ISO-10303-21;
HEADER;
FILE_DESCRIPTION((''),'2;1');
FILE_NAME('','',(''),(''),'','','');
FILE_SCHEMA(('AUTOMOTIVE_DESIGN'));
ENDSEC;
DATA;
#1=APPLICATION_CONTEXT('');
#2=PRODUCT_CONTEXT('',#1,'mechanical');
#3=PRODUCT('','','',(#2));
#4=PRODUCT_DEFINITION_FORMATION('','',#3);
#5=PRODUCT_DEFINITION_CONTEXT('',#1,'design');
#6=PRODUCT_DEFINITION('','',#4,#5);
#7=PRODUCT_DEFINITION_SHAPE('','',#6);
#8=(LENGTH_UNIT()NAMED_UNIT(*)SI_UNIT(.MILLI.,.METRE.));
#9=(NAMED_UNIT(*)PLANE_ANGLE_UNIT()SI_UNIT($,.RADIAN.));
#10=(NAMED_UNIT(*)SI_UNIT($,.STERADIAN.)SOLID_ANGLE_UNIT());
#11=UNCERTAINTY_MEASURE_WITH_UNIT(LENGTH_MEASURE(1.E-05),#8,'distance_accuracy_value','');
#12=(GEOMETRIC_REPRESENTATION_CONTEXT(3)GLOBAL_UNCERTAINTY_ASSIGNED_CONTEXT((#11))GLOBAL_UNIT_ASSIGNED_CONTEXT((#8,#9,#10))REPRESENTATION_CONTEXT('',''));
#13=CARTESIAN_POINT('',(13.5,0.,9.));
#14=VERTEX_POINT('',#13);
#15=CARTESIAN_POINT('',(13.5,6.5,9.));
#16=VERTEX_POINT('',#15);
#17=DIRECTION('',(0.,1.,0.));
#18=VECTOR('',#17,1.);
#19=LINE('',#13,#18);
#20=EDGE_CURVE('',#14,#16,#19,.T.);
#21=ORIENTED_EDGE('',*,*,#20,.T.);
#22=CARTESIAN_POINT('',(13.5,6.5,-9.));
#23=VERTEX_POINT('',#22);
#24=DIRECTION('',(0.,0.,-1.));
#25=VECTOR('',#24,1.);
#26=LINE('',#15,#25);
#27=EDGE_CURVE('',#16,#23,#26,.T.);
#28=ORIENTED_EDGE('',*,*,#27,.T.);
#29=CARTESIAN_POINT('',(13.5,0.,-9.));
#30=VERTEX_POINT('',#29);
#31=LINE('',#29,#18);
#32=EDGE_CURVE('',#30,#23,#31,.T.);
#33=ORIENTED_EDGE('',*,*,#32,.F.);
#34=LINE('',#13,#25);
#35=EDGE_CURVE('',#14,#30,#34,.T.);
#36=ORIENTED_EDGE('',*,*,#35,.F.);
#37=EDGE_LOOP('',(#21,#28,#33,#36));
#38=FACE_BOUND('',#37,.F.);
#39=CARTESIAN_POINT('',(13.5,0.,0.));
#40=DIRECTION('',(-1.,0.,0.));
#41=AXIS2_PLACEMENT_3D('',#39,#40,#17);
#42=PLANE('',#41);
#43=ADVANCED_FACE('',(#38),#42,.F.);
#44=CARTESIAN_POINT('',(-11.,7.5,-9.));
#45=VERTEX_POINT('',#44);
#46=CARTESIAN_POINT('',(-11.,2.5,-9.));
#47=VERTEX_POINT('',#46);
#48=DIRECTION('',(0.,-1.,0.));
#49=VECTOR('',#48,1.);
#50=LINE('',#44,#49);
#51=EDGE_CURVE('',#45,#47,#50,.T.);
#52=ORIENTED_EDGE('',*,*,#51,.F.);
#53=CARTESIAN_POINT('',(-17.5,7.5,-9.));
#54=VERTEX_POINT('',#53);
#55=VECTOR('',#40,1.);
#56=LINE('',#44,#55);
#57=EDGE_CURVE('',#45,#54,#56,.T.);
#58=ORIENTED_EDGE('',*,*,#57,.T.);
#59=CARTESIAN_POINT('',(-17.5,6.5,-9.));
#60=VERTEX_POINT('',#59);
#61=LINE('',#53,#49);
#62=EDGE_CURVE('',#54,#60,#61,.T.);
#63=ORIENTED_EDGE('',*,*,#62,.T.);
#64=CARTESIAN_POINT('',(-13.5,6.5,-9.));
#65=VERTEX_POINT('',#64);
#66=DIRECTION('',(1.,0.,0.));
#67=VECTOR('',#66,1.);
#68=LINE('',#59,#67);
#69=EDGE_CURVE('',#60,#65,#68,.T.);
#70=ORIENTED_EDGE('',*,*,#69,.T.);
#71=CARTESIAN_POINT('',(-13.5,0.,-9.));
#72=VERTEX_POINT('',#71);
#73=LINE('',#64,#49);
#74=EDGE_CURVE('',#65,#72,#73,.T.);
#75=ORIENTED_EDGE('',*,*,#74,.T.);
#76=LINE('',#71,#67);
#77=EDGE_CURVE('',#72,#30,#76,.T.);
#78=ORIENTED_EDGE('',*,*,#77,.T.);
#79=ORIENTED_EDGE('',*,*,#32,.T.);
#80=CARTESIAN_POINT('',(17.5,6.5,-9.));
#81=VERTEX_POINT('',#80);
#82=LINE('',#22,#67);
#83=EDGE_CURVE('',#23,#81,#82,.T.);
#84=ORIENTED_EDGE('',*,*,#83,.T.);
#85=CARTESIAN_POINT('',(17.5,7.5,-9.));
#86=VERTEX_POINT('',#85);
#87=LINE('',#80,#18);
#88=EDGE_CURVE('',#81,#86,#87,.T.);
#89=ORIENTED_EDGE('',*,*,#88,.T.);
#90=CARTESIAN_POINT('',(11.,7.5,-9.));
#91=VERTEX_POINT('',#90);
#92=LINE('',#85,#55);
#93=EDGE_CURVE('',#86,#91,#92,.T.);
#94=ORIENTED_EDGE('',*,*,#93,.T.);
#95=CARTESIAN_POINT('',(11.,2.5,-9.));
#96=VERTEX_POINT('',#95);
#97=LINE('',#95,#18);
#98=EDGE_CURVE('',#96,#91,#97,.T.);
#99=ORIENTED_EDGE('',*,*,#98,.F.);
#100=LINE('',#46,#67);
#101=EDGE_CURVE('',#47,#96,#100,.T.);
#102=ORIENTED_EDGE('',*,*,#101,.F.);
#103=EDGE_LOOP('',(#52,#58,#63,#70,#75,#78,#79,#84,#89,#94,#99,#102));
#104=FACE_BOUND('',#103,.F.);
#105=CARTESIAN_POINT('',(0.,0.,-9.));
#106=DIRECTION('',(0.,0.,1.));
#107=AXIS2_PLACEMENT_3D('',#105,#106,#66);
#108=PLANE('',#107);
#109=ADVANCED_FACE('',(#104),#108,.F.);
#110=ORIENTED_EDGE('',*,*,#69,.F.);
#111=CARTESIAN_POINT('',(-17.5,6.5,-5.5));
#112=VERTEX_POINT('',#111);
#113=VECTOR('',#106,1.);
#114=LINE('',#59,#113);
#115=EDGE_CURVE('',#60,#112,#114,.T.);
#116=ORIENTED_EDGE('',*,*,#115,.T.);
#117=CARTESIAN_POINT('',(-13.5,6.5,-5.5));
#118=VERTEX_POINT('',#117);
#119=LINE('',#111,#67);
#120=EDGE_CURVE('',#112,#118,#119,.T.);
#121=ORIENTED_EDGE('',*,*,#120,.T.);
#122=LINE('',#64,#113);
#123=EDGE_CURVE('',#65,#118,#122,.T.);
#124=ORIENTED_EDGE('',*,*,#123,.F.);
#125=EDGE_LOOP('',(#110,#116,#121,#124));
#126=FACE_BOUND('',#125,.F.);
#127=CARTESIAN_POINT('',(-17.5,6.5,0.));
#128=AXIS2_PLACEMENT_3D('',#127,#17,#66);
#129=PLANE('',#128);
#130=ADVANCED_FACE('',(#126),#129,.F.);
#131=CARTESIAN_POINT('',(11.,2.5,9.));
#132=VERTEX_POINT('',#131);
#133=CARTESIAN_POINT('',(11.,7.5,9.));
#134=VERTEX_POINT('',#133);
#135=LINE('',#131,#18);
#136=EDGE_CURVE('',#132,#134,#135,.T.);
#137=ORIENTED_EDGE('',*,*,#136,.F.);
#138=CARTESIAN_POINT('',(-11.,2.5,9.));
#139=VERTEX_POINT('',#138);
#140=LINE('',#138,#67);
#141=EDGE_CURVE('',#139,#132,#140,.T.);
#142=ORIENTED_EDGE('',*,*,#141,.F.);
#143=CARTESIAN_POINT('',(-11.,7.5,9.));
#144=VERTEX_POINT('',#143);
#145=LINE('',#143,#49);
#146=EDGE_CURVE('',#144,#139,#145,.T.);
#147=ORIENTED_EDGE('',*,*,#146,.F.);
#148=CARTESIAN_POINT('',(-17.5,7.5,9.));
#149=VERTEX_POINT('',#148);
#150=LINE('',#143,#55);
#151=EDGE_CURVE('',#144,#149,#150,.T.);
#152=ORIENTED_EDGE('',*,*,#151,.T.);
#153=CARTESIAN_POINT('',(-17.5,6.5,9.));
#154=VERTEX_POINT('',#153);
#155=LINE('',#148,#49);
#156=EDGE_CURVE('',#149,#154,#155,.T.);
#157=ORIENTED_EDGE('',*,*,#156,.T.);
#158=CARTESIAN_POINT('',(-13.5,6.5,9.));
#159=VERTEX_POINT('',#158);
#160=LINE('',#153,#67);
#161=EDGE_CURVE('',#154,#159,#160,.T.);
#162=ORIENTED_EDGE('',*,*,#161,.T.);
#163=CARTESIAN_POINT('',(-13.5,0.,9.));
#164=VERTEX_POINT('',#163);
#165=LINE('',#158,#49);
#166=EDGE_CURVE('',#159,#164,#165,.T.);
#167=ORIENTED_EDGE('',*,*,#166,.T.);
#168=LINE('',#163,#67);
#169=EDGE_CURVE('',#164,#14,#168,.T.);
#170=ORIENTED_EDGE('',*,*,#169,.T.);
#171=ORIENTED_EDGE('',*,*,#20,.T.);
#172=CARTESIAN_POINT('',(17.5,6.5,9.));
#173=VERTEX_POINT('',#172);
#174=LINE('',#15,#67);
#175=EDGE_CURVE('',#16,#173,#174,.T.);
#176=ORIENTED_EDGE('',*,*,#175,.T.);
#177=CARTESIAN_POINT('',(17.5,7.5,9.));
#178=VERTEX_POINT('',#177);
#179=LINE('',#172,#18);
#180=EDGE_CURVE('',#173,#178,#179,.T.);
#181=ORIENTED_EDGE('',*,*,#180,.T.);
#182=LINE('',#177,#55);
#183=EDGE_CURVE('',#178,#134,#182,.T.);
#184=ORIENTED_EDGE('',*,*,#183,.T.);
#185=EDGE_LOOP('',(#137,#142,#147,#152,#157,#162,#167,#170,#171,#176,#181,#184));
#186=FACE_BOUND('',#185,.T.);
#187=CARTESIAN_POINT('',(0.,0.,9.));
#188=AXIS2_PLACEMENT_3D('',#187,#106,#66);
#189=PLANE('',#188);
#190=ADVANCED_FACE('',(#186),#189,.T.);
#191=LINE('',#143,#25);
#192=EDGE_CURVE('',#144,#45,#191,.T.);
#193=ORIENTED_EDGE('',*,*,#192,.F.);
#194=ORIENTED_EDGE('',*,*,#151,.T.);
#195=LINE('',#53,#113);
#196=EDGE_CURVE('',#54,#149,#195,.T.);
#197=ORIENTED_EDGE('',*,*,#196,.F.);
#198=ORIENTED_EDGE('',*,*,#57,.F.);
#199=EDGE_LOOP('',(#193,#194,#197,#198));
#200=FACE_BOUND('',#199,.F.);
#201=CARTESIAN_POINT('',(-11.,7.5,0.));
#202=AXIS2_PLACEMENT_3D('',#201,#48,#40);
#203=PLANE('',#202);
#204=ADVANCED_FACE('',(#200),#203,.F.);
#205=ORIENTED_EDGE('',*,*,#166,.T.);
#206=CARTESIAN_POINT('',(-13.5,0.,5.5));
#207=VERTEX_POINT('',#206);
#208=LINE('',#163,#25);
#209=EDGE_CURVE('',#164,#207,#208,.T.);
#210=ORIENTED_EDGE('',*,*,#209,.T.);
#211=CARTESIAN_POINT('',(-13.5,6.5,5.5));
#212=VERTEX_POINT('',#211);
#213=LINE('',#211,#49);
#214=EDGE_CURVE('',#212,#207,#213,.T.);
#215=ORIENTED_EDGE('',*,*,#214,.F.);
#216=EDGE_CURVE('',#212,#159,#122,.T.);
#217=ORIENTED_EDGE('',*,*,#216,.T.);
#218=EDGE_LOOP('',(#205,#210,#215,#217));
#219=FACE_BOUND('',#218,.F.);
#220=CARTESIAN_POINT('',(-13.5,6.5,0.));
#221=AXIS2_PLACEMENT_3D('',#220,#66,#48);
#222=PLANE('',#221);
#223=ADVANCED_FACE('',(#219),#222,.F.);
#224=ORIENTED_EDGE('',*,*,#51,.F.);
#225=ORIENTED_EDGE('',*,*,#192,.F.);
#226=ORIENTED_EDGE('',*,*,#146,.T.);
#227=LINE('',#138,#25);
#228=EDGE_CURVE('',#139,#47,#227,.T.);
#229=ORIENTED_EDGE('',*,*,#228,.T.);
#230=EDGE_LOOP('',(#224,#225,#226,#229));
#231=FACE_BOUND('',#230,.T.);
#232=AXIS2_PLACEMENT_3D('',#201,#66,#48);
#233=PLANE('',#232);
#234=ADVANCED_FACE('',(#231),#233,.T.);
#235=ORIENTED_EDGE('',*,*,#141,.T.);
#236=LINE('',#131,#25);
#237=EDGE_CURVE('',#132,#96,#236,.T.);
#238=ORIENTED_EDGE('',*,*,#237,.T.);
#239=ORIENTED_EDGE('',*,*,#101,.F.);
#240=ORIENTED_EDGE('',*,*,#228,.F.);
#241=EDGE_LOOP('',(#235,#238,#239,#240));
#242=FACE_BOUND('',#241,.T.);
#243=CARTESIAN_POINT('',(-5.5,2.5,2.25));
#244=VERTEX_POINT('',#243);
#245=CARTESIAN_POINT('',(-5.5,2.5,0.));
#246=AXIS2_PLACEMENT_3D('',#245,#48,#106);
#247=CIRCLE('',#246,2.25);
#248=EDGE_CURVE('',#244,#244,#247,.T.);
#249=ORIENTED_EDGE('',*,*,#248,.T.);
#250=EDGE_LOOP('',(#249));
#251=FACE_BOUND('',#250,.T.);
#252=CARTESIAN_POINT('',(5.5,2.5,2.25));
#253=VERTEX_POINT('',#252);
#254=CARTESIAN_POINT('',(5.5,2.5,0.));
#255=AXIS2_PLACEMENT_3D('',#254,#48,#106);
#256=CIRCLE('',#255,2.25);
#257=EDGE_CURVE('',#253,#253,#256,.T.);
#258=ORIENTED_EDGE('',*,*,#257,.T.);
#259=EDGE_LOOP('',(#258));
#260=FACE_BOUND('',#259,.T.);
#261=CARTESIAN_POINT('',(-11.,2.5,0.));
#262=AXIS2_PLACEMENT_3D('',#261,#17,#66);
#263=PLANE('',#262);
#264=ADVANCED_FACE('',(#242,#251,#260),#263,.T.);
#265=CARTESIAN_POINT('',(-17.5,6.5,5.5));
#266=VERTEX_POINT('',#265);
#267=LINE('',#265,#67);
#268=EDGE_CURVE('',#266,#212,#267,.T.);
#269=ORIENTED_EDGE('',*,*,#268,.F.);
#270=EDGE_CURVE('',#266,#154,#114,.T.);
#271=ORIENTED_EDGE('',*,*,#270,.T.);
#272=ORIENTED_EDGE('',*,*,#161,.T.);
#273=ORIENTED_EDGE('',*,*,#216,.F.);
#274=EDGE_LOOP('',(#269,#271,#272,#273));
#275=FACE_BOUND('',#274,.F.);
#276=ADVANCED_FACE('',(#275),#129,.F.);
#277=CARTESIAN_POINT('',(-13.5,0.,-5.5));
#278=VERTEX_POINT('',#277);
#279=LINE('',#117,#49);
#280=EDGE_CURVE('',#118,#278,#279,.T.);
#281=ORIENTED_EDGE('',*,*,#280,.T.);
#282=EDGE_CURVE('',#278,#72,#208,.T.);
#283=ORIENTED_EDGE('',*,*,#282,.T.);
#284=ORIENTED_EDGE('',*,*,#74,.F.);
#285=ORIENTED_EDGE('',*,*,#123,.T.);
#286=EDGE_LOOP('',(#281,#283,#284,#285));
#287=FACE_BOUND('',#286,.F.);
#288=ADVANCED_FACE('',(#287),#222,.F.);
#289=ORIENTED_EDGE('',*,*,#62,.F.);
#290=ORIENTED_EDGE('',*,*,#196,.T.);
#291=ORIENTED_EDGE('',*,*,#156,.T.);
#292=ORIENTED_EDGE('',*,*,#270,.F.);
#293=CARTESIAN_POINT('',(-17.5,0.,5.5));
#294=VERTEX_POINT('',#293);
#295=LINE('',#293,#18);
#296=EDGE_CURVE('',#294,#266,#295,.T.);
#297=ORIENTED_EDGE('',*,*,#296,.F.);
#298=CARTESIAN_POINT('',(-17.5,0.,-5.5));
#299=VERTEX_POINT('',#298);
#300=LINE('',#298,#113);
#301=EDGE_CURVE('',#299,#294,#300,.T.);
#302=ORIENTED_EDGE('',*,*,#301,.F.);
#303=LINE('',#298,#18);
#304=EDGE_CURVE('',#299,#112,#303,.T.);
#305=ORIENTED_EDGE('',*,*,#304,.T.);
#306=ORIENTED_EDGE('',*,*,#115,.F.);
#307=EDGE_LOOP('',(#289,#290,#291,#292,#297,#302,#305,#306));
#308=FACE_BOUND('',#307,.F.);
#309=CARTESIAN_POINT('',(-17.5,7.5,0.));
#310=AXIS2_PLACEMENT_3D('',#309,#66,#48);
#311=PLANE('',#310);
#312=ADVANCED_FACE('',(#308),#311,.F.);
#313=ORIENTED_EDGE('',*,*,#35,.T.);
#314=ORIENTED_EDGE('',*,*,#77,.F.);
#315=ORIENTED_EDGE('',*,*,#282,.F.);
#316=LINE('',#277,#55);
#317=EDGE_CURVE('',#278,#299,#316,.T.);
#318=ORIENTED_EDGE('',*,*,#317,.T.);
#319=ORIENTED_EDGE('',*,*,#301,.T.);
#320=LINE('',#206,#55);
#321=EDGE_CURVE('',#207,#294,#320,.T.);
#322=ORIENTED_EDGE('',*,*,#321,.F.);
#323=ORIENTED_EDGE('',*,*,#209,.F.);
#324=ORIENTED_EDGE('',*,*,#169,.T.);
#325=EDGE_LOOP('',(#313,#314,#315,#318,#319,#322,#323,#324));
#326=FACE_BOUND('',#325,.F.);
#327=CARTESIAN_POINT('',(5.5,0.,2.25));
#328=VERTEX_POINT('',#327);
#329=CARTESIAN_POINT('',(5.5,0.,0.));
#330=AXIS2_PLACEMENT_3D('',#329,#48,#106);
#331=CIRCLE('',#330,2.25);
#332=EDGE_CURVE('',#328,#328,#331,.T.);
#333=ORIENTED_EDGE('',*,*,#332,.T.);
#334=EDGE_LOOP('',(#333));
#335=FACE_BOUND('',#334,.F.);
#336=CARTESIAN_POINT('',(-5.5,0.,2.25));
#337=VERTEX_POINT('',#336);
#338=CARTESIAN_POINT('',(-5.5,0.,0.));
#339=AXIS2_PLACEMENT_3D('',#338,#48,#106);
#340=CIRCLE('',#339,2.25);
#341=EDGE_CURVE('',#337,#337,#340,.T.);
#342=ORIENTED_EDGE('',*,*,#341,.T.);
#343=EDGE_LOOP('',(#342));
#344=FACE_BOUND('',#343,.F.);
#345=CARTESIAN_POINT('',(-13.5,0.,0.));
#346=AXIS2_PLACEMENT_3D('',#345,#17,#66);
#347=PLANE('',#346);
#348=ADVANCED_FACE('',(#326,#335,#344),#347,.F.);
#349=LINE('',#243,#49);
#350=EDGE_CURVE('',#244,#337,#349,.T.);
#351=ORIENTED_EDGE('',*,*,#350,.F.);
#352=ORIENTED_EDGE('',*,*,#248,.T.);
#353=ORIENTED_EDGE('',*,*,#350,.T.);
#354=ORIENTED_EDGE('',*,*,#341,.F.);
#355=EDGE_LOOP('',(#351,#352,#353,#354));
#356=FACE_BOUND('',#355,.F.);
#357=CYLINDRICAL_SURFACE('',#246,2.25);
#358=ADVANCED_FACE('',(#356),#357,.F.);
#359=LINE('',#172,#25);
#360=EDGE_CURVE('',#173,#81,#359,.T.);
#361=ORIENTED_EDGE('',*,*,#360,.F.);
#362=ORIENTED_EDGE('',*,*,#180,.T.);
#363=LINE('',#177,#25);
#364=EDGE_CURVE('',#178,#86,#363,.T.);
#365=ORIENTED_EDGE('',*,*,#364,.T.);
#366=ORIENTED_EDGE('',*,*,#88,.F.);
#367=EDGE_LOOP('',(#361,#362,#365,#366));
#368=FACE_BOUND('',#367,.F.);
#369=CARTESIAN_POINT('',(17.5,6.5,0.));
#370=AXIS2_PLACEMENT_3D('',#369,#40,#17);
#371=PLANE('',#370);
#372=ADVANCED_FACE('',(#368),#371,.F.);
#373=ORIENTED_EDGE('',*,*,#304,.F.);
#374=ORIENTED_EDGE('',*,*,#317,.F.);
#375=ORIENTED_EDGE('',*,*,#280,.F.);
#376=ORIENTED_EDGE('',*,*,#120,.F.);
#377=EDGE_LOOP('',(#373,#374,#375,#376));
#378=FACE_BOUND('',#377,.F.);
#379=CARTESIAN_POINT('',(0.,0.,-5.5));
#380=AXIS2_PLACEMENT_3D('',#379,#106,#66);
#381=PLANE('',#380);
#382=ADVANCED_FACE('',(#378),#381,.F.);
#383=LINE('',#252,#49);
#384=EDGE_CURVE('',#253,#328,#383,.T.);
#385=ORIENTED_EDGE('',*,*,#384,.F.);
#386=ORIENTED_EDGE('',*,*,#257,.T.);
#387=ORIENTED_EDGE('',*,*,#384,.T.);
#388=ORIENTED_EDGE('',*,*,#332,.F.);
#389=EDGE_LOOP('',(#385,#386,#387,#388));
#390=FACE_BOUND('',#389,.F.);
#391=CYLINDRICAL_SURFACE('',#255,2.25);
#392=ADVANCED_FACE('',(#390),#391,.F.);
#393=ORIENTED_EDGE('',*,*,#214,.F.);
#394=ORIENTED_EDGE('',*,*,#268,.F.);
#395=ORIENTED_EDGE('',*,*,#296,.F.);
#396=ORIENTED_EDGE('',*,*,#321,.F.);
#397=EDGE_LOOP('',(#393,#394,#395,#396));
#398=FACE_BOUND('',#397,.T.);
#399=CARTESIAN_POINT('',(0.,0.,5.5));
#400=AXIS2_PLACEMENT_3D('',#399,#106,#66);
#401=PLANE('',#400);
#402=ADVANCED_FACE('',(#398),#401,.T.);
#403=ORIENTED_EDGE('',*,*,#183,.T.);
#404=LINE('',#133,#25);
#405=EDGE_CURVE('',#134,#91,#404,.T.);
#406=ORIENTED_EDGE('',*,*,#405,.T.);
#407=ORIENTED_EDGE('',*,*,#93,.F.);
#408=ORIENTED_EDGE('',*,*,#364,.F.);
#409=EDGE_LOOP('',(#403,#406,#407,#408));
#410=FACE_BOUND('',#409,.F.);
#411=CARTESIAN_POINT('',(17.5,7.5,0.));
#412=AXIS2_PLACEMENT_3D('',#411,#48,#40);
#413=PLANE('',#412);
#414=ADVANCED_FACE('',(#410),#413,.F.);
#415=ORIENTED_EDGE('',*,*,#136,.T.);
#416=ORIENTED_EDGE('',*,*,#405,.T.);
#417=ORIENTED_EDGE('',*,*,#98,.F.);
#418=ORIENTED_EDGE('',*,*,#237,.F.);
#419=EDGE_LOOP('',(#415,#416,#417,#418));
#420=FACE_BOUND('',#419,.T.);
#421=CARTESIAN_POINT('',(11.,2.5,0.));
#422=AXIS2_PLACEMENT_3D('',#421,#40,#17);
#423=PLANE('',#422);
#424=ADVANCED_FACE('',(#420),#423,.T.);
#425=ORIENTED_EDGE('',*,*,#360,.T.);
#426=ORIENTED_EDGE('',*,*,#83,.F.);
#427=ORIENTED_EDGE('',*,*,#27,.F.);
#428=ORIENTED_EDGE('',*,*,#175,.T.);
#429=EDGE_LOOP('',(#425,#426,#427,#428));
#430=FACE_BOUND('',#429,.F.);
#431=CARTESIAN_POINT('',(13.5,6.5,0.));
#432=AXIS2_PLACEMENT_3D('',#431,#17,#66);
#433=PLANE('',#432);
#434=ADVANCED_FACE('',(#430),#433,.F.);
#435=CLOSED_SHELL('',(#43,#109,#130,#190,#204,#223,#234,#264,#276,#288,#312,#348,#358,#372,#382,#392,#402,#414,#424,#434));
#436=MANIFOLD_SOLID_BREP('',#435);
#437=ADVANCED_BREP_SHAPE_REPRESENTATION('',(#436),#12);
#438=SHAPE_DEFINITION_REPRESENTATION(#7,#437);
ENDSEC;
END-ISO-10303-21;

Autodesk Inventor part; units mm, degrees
ref_plane "YZ Plane" through (0, 0, 0) normal (1, 0, 0) x (0, 1, 0)
ref_plane "XZ Plane" through (0, 0, 0) normal (0, 1, 0) x (-1, 0, 0)
ref_plane "XY Plane" through (0, 0, 0) normal (0, 0, 1) x (1, 0, 0)
sketch "Skizze1" plane through (0, 0, 0) normal (0, 0, 1) x (1, 0, 0)
  line L0 (-17.5, 7.5) -> (-17.5, 6.5)
  line L1 (-17.5, 6.5) -> (-13.5, 6.5)
  line L2 (-13.5, 6.5) -> (-13.5, 0)
  line L3 (-13.5, 0) -> (13.5, 0)
  line L4 (13.5, 0) -> (13.5, 6.5)
  line L5 (13.5, 6.5) -> (17.5, 6.5)
  line L6 (17.5, 6.5) -> (17.5, 7.5)
  line L7 (17.5, 7.5) -> (11, 7.5)
  line L8 (-11, 7.5) -> (-17.5, 7.5)
  line L9 (0, -1.5) -> (0, 9) construction
  line L10 (-11, 2.5) -> (11, 2.5)
  line L11 (-11, 7.5) -> (-11, 2.5)
  line L12 (11, 2.5) -> (11, 7.5)
  line L13 (-13.5, 0) -> (-17.5, 0)
  line L14 (-17.5, 0) -> (-17.5, 6.5)
  line L15 (-17.5, 6.5) -> (-13.5, 6.5)
  line L16 (-13.5, 6.5) -> (-13.5, 0)
  point P0 (0, 0)
  point P1 (0, 2.5)
  dimension "d0" = 1
  dimension "d1" = 35
  dimension "d2" = 27
  dimension "d3" = 7.5
  dimension "d6" = 4
  dimension "d7" = 2.5
  dimension "d8" = 2.5
extrude "Extrusion1" add sketch "Skizze1" along normal mid plane 18 contours L8 L11 L10 L12 L7 L6 L5 L4 L3 L2 L1 L0
extrude "Extrusion2" add sketch "Skizze1" along normal mid plane 11 contours L1 L2 L13 L14
sketch "Skizze2" plane through (-11, 2.5, 9) normal (0, 1, 0) x (1, 0, 0)
  line L0 (0, 18) -> (0, 0) projected
  line L1 (22, 0) -> (0, 0) projected
  line L2 (22, 18) -> (22, 0) projected
  line L3 (0, 18) -> (22, 18) projected
  line L4 (0, 9) -> (22, 9) construction
  line L5 (11, 0) -> (11, 18) construction
  point P0 (11, 9)
  point P1 (5.5, 9)
  point P2 (16.5, 9)
  dimension "d13" = 11
  dimension "d14" = 22
hole "Bohrung1" at (-5.5, 2.5, 0) at (5.5, 2.5, 0) direction (0, -1, 0) diameter 4.5 end through all clearance for "Flachkopfsenkschraube DIN EN ISO 2009" size "M4" standard "DIN"
properties part number "Hutschiene"
